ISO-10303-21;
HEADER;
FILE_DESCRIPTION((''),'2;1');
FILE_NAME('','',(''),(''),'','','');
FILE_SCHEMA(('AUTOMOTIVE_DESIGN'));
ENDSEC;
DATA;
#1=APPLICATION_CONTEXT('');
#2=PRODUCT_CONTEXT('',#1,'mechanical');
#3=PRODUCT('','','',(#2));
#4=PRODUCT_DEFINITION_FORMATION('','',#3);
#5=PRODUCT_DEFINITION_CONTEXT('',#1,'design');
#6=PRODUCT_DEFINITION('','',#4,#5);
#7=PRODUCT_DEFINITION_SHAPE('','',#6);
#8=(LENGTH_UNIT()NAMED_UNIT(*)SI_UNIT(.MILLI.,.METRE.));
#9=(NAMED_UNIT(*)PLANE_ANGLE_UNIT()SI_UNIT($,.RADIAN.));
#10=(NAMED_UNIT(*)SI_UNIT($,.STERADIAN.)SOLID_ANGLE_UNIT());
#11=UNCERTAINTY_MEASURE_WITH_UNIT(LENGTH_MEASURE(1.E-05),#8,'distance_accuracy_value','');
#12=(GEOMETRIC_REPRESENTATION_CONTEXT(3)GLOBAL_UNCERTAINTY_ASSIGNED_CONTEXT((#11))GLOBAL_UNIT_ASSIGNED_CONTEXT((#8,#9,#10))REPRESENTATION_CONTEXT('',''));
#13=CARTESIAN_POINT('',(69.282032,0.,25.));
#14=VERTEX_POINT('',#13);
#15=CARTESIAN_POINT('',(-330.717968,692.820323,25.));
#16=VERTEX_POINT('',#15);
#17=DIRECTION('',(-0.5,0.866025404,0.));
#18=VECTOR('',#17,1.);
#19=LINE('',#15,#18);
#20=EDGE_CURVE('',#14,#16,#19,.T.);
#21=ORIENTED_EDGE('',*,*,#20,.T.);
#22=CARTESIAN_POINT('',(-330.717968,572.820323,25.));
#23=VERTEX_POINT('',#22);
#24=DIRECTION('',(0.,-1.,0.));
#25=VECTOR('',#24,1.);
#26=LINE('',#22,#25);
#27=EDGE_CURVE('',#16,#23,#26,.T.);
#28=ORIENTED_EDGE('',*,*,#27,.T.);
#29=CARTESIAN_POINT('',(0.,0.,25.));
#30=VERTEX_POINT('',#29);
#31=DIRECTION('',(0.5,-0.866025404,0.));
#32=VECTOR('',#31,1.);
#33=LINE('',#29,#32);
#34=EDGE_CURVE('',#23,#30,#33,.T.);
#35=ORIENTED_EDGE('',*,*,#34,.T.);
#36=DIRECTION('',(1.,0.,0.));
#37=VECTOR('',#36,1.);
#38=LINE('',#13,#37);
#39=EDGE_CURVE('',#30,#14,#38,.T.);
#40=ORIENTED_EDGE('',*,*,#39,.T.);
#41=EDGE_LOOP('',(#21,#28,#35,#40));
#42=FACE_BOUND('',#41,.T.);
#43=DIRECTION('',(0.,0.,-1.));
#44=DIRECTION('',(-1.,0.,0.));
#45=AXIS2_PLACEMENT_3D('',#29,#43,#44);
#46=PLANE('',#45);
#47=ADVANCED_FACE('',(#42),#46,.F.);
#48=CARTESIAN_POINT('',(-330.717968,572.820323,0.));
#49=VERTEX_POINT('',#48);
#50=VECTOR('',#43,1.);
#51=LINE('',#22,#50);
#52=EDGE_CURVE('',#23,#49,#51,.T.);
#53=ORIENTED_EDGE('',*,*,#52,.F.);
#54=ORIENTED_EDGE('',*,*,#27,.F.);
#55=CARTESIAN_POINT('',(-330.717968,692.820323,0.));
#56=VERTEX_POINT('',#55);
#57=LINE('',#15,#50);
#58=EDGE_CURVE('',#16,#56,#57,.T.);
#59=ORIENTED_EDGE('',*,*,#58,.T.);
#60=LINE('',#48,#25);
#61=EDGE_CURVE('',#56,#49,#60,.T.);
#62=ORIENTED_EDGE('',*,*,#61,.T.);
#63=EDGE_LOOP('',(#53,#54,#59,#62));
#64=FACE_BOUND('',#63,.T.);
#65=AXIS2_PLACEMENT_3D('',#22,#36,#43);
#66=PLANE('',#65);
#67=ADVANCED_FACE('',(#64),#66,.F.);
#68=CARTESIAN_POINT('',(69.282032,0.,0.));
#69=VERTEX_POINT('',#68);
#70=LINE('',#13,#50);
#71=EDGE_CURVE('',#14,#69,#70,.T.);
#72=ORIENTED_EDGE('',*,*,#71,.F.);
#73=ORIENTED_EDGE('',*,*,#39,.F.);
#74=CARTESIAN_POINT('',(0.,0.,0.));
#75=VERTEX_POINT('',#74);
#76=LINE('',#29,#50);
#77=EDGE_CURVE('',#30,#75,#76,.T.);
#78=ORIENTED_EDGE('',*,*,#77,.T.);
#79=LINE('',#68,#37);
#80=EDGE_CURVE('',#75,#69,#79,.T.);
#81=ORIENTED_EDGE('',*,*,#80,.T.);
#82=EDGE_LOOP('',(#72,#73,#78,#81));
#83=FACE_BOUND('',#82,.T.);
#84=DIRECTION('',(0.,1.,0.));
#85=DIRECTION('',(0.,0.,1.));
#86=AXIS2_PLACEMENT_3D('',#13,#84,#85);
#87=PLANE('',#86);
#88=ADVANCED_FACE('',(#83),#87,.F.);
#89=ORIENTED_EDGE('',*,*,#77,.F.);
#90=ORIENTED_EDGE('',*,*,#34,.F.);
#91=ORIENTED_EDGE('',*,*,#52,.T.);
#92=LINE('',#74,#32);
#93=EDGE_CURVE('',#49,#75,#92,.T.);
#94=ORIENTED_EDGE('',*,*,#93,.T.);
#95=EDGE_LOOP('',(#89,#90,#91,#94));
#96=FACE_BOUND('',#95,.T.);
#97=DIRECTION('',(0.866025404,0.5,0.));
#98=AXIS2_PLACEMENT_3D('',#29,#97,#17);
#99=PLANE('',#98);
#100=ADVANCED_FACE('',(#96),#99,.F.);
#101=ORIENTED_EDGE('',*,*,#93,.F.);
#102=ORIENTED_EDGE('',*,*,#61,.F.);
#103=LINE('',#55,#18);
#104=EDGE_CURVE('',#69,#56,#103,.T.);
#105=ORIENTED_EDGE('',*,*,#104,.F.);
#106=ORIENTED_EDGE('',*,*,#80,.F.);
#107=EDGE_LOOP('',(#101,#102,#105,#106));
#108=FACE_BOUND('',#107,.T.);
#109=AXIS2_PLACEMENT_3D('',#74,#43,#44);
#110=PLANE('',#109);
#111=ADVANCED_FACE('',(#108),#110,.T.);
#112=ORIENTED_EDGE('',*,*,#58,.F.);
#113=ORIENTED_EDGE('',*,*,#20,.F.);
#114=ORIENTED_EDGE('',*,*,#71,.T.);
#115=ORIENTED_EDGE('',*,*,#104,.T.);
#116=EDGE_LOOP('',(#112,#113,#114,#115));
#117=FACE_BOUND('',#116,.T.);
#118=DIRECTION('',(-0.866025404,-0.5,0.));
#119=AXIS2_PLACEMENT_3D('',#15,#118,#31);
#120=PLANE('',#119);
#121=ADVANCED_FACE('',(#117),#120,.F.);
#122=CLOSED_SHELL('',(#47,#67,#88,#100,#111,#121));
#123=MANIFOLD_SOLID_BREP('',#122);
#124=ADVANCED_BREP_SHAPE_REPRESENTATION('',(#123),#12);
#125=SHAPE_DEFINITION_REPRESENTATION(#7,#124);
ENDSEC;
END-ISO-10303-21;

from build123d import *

# Parameters (mm, degrees)
BOSS_EXTRU_1_DEPTH = 25


with BuildPart() as part:
    # Esquisse1 → Boss.-Extru.1 (new body)
    with BuildSketch(Plane.XY):
        Polygon((0, 0), (-330.717967697, 572.820323028), (-330.717967697, 692.820323028), (69.282032303, 0), align=None)
    extrude(amount=BOSS_EXTRU_1_DEPTH)


solid = part.part
